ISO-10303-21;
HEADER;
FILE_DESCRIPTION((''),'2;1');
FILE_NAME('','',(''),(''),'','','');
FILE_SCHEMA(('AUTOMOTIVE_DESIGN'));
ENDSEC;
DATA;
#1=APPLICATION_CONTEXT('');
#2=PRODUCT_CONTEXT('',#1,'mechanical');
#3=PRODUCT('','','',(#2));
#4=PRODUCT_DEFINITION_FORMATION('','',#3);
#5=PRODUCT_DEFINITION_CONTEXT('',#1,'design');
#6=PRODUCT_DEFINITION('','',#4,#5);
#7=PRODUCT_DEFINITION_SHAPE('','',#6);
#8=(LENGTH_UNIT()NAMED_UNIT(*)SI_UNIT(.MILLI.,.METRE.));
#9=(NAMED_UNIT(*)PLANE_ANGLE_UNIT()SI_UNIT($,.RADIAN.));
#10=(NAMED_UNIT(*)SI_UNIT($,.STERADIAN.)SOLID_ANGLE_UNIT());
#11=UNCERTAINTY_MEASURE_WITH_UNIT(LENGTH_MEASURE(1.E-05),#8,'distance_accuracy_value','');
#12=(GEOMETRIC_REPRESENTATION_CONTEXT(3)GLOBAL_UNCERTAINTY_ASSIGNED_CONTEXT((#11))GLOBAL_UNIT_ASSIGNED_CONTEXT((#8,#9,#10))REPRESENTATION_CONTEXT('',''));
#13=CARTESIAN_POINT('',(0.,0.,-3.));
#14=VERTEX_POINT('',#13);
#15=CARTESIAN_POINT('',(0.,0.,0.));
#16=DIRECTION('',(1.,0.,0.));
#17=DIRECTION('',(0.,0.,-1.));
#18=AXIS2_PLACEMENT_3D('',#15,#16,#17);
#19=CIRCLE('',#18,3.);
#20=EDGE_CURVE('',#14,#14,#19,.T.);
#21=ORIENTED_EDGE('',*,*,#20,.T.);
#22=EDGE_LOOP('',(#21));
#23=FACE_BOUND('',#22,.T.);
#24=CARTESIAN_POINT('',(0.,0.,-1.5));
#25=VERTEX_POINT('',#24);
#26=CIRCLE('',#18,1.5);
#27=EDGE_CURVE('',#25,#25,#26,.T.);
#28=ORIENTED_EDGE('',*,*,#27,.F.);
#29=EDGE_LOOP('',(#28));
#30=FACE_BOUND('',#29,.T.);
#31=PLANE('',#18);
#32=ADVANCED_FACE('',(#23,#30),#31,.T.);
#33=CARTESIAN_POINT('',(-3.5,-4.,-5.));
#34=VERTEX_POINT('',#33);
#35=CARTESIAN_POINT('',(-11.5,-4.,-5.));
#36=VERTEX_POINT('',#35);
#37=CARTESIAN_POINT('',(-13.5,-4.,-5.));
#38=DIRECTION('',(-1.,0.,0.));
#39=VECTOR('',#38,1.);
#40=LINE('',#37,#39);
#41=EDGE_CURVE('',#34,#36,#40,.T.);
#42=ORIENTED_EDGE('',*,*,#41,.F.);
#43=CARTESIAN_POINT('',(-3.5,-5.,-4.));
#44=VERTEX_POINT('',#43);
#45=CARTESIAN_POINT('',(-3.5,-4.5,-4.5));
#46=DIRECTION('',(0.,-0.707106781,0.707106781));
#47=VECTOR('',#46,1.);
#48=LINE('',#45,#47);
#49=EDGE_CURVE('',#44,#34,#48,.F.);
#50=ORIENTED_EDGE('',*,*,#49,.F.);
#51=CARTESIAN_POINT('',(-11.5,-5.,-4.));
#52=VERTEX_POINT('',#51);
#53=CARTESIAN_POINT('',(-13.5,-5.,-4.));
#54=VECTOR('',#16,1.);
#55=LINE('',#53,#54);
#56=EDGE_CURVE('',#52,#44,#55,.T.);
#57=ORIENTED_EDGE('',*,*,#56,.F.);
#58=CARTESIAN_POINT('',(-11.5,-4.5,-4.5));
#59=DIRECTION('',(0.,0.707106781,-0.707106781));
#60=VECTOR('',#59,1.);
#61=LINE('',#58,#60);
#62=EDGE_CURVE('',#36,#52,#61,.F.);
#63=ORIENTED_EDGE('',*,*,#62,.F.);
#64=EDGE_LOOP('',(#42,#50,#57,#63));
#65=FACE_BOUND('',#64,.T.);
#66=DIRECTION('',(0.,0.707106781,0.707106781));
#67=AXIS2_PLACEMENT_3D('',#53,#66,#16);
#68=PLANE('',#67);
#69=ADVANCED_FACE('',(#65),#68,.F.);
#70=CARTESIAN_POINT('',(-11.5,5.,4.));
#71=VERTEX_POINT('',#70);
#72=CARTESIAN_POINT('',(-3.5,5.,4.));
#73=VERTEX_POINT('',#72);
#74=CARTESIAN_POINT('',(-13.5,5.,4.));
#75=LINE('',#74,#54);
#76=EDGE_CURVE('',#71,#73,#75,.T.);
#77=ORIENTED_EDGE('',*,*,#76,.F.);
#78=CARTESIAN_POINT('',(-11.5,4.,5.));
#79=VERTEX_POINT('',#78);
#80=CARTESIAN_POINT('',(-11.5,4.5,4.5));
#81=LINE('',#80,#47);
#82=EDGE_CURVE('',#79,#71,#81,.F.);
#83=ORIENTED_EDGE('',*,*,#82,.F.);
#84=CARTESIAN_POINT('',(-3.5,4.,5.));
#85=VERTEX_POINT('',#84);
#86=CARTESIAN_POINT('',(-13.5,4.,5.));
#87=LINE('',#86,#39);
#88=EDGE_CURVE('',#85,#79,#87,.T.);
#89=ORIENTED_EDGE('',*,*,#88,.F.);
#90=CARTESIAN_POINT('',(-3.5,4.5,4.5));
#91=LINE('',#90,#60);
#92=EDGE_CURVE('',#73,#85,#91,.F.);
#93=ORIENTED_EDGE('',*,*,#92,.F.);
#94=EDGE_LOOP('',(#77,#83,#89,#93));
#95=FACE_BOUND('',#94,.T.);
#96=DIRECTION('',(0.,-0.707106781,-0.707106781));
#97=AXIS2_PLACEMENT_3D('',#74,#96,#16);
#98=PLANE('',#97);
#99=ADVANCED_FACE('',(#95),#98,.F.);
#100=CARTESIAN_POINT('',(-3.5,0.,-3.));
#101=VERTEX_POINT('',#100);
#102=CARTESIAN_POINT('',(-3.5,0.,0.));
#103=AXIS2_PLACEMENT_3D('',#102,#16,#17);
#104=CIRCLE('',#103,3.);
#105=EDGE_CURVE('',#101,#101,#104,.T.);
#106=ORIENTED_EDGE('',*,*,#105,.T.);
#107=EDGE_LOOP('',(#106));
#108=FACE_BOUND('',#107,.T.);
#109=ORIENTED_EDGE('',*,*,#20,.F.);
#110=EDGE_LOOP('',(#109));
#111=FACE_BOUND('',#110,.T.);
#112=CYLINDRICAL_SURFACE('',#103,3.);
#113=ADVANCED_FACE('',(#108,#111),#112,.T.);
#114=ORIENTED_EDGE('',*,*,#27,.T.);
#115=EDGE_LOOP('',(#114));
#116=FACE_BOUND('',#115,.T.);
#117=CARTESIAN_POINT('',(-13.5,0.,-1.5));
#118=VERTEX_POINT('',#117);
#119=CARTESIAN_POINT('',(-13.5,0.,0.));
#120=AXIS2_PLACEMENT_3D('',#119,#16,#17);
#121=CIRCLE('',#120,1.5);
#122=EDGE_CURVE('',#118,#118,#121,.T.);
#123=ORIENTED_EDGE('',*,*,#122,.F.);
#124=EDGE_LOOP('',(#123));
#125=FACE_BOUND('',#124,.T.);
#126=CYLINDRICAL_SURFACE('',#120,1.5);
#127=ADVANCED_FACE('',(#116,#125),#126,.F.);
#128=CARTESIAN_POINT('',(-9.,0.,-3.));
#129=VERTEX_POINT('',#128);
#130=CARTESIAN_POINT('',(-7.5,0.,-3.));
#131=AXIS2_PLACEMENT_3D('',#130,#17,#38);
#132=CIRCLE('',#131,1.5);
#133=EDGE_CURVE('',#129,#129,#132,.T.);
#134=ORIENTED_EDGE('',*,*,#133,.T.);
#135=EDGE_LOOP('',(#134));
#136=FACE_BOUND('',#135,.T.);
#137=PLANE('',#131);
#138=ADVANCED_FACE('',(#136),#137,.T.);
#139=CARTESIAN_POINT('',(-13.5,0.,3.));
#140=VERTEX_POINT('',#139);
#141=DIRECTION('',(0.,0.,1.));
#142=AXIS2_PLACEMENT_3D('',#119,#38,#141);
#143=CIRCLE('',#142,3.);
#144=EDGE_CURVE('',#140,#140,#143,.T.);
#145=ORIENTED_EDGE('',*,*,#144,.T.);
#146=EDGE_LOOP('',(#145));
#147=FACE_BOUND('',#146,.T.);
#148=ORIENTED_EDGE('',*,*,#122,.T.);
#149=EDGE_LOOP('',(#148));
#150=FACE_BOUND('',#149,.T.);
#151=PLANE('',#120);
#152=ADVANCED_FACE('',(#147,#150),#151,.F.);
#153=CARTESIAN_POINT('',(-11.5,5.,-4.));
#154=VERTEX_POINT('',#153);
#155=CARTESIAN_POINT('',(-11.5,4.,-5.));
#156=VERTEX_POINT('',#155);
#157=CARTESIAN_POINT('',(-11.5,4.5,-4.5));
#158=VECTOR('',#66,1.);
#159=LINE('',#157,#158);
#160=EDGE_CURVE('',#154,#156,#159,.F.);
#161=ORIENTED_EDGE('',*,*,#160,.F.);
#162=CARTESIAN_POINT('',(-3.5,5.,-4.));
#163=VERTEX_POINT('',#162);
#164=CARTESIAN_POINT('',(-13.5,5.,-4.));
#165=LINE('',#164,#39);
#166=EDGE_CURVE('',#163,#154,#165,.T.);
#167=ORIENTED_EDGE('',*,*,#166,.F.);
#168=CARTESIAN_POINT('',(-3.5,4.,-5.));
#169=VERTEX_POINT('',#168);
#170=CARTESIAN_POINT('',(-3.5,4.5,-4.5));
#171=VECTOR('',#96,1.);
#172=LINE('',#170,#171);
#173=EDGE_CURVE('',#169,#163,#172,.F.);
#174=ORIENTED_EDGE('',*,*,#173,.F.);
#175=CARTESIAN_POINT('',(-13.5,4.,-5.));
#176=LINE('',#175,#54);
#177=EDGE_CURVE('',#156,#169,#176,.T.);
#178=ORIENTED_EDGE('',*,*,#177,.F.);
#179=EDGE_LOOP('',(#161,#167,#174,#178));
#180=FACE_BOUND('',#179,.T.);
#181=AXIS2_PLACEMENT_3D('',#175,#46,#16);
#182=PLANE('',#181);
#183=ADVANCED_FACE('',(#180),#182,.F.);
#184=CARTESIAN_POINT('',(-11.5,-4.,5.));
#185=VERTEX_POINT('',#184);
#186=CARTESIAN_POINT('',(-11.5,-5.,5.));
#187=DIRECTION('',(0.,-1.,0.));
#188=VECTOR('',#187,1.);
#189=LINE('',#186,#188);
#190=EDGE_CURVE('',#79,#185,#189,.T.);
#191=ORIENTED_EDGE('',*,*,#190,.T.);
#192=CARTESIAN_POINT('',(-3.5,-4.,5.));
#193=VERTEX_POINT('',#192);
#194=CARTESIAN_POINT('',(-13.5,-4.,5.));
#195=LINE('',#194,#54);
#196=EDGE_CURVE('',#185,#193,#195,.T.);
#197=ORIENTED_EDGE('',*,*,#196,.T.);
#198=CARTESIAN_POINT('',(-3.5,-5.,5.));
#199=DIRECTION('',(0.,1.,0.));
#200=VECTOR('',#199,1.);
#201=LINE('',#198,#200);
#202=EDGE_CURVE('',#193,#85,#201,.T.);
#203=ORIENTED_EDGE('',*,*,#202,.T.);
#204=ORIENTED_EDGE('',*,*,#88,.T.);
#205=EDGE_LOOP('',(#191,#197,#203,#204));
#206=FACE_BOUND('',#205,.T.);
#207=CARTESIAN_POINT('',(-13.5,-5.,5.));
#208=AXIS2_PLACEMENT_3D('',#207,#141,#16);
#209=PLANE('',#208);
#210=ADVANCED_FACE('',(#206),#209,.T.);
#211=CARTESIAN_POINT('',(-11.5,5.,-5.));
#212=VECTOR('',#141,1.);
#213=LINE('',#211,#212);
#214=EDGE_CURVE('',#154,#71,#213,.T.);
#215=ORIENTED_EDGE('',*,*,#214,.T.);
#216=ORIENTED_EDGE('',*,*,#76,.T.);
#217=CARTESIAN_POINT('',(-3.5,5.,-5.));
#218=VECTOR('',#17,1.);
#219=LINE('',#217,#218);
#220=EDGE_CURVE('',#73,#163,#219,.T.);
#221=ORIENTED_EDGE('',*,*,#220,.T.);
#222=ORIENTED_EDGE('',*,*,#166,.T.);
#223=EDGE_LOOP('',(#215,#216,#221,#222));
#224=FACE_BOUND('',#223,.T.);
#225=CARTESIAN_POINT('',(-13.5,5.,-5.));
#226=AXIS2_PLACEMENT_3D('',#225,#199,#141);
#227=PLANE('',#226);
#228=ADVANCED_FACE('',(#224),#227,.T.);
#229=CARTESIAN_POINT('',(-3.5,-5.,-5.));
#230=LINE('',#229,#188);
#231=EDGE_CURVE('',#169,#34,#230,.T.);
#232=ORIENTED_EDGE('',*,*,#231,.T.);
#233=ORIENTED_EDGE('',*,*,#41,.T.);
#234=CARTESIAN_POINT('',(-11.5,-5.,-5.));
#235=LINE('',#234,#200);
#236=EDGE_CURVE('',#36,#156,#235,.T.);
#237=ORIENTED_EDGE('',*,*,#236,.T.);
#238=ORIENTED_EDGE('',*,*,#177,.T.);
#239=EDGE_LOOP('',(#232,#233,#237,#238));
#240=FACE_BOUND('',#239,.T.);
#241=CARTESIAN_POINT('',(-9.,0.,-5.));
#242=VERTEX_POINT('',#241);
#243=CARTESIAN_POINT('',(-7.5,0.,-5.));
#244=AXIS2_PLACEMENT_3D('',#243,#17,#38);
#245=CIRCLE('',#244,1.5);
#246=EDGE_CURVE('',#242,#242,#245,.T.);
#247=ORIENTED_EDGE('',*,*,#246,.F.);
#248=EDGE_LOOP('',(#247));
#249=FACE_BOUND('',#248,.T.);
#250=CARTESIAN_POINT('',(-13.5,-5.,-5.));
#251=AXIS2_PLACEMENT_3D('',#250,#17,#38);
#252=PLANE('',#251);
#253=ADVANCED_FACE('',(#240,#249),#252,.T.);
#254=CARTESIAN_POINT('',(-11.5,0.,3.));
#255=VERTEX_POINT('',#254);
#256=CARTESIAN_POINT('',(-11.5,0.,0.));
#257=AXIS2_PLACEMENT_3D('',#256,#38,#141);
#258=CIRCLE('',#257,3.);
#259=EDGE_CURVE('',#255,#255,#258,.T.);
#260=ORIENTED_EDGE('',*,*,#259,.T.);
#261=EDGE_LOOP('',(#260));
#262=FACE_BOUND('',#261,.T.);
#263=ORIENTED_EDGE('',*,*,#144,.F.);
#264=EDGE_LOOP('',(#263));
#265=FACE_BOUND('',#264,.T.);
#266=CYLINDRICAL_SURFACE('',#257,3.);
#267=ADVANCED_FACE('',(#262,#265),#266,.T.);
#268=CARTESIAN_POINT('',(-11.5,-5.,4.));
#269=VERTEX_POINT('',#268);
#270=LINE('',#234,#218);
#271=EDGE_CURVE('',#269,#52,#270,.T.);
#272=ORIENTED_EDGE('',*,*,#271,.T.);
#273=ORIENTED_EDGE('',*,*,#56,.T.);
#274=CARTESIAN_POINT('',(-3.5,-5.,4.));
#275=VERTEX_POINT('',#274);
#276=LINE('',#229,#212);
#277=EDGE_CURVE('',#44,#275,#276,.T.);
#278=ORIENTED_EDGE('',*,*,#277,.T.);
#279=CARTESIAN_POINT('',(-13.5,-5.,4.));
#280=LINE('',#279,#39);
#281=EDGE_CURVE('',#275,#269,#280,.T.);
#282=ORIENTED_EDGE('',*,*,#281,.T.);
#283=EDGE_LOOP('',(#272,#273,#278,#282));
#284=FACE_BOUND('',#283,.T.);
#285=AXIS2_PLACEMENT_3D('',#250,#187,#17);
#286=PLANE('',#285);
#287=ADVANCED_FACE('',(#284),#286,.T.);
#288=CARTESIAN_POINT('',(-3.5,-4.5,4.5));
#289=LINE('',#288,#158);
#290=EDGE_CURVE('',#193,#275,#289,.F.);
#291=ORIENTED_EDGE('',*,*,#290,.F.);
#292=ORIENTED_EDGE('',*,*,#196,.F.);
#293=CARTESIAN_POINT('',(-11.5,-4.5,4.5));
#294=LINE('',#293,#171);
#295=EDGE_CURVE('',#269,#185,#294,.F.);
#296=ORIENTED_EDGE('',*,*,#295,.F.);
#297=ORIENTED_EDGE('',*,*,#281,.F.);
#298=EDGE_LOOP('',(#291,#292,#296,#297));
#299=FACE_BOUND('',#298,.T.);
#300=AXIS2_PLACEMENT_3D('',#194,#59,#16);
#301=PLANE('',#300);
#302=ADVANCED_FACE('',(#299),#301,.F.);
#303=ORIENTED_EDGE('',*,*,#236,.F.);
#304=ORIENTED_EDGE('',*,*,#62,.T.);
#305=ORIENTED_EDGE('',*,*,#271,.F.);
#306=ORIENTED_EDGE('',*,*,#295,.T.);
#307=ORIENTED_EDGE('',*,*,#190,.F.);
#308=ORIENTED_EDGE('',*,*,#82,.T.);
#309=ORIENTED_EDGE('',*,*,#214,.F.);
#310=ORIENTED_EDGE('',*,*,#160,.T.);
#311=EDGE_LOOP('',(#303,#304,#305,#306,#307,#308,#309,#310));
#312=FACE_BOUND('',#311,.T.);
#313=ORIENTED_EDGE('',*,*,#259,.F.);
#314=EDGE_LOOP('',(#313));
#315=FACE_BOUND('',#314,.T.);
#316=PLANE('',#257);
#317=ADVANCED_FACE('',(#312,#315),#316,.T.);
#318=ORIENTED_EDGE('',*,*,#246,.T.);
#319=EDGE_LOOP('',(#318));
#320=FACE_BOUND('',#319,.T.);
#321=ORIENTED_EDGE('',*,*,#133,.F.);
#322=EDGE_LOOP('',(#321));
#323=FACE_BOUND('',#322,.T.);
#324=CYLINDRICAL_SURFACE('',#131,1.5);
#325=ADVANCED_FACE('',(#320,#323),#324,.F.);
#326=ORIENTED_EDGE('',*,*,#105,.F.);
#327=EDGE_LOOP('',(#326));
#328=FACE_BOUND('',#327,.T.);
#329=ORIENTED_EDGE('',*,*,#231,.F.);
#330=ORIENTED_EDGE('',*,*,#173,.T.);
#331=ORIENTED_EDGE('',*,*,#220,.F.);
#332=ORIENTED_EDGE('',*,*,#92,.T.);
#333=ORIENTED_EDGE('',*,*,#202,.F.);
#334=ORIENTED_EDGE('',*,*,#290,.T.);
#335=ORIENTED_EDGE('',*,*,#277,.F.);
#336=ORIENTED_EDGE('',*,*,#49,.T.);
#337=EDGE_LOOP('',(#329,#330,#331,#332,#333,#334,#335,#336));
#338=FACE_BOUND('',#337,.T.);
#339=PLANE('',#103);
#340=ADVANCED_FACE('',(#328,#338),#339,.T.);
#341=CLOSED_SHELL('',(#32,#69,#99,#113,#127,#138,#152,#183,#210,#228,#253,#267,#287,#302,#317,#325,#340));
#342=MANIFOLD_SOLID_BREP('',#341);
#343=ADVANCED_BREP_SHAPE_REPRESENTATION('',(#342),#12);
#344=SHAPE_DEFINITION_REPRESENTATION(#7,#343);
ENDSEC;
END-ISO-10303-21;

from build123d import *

# Parameters (mm, degrees)
SKETCH1_W           = 10
SKETCH1_H           = 10
BOSS_EXTRUDE1_DEPTH = 13.5
SKETCH2_R           = 15.353568197
SKETCH2_R_2         = 3
CUT_EXTRUDE1_DEPTH  = 3.5
CUT_EXTRUDE2_START  = -2
SKETCH3_R           = 15.635411304
SKETCH3_R_2         = 3
CUT_EXTRUDE2_DEPTH  = 2
SKETCH4_R           = 1.5
CUT_EXTRUDE3_DEPTH  = 16.239750654
CHAMFER1_SIZE       = 1
CUT_EXTRUDE4_START  = 5
SKETCH5_R           = 1.5
CUT_EXTRUDE4_DEPTH  = 2


with BuildPart() as part:
    # Sketch1 → Boss-Extrude1 (new body)
    with BuildSketch(Plane(origin=(0, 0, 0), x_dir=(0, 0, -1), z_dir=(1, 0, 0))):
        Rectangle(SKETCH1_W, SKETCH1_H)
    extrude(amount=-BOSS_EXTRUDE1_DEPTH)

    # Sketch2 → Cut-Extrude1 (cut)
    with BuildSketch(Plane(origin=(0, 0, 0), x_dir=(0, 0, -1), z_dir=(1, 0, 0))):
        Circle(SKETCH2_R)
        Circle(SKETCH2_R_2, mode=Mode.SUBTRACT)
    extrude(amount=-CUT_EXTRUDE1_DEPTH, mode=Mode.SUBTRACT)

    # Sketch3 → Cut-Extrude2 (cut)
    with BuildSketch(Plane.ZY.offset(13.5).offset(CUT_EXTRUDE2_START)):
        Circle(SKETCH3_R)
        with Locations(Location((0, 0, 0), (0, 0, 180))):
            Circle(SKETCH3_R_2, mode=Mode.SUBTRACT)
    extrude(amount=CUT_EXTRUDE2_DEPTH, mode=Mode.SUBTRACT)

    # Sketch4 → Cut-Extrude3 (cut, through all)
    with BuildSketch(Plane(origin=(0, 0, 0), x_dir=(0, 0, -1), z_dir=(1, 0, 0))):
        Circle(SKETCH4_R)
    extrude(amount=-CUT_EXTRUDE3_DEPTH, mode=Mode.SUBTRACT)

    # Chamfer1
    chamfer1_edges = [part.edges().sort_by_distance(p)[0] for p in [
        (-7.5, -5, -5),
        (-7.5, -5, 5),
        (-7.5, 5, -5),
        (-7.5, 5, 5),
    ]]
    chamfer(chamfer1_edges, length=CHAMFER1_SIZE)

    # Sketch5 → Cut-Extrude4 (cut)
    with BuildSketch(Plane(origin=(0, 0, 0), x_dir=(-1, 0, 0), z_dir=(0, 0, -1)).offset(CUT_EXTRUDE4_START)):
        with Locations((7.5, 0)):
            Circle(SKETCH5_R)
    extrude(amount=-CUT_EXTRUDE4_DEPTH, mode=Mode.SUBTRACT)


solid = part.part
